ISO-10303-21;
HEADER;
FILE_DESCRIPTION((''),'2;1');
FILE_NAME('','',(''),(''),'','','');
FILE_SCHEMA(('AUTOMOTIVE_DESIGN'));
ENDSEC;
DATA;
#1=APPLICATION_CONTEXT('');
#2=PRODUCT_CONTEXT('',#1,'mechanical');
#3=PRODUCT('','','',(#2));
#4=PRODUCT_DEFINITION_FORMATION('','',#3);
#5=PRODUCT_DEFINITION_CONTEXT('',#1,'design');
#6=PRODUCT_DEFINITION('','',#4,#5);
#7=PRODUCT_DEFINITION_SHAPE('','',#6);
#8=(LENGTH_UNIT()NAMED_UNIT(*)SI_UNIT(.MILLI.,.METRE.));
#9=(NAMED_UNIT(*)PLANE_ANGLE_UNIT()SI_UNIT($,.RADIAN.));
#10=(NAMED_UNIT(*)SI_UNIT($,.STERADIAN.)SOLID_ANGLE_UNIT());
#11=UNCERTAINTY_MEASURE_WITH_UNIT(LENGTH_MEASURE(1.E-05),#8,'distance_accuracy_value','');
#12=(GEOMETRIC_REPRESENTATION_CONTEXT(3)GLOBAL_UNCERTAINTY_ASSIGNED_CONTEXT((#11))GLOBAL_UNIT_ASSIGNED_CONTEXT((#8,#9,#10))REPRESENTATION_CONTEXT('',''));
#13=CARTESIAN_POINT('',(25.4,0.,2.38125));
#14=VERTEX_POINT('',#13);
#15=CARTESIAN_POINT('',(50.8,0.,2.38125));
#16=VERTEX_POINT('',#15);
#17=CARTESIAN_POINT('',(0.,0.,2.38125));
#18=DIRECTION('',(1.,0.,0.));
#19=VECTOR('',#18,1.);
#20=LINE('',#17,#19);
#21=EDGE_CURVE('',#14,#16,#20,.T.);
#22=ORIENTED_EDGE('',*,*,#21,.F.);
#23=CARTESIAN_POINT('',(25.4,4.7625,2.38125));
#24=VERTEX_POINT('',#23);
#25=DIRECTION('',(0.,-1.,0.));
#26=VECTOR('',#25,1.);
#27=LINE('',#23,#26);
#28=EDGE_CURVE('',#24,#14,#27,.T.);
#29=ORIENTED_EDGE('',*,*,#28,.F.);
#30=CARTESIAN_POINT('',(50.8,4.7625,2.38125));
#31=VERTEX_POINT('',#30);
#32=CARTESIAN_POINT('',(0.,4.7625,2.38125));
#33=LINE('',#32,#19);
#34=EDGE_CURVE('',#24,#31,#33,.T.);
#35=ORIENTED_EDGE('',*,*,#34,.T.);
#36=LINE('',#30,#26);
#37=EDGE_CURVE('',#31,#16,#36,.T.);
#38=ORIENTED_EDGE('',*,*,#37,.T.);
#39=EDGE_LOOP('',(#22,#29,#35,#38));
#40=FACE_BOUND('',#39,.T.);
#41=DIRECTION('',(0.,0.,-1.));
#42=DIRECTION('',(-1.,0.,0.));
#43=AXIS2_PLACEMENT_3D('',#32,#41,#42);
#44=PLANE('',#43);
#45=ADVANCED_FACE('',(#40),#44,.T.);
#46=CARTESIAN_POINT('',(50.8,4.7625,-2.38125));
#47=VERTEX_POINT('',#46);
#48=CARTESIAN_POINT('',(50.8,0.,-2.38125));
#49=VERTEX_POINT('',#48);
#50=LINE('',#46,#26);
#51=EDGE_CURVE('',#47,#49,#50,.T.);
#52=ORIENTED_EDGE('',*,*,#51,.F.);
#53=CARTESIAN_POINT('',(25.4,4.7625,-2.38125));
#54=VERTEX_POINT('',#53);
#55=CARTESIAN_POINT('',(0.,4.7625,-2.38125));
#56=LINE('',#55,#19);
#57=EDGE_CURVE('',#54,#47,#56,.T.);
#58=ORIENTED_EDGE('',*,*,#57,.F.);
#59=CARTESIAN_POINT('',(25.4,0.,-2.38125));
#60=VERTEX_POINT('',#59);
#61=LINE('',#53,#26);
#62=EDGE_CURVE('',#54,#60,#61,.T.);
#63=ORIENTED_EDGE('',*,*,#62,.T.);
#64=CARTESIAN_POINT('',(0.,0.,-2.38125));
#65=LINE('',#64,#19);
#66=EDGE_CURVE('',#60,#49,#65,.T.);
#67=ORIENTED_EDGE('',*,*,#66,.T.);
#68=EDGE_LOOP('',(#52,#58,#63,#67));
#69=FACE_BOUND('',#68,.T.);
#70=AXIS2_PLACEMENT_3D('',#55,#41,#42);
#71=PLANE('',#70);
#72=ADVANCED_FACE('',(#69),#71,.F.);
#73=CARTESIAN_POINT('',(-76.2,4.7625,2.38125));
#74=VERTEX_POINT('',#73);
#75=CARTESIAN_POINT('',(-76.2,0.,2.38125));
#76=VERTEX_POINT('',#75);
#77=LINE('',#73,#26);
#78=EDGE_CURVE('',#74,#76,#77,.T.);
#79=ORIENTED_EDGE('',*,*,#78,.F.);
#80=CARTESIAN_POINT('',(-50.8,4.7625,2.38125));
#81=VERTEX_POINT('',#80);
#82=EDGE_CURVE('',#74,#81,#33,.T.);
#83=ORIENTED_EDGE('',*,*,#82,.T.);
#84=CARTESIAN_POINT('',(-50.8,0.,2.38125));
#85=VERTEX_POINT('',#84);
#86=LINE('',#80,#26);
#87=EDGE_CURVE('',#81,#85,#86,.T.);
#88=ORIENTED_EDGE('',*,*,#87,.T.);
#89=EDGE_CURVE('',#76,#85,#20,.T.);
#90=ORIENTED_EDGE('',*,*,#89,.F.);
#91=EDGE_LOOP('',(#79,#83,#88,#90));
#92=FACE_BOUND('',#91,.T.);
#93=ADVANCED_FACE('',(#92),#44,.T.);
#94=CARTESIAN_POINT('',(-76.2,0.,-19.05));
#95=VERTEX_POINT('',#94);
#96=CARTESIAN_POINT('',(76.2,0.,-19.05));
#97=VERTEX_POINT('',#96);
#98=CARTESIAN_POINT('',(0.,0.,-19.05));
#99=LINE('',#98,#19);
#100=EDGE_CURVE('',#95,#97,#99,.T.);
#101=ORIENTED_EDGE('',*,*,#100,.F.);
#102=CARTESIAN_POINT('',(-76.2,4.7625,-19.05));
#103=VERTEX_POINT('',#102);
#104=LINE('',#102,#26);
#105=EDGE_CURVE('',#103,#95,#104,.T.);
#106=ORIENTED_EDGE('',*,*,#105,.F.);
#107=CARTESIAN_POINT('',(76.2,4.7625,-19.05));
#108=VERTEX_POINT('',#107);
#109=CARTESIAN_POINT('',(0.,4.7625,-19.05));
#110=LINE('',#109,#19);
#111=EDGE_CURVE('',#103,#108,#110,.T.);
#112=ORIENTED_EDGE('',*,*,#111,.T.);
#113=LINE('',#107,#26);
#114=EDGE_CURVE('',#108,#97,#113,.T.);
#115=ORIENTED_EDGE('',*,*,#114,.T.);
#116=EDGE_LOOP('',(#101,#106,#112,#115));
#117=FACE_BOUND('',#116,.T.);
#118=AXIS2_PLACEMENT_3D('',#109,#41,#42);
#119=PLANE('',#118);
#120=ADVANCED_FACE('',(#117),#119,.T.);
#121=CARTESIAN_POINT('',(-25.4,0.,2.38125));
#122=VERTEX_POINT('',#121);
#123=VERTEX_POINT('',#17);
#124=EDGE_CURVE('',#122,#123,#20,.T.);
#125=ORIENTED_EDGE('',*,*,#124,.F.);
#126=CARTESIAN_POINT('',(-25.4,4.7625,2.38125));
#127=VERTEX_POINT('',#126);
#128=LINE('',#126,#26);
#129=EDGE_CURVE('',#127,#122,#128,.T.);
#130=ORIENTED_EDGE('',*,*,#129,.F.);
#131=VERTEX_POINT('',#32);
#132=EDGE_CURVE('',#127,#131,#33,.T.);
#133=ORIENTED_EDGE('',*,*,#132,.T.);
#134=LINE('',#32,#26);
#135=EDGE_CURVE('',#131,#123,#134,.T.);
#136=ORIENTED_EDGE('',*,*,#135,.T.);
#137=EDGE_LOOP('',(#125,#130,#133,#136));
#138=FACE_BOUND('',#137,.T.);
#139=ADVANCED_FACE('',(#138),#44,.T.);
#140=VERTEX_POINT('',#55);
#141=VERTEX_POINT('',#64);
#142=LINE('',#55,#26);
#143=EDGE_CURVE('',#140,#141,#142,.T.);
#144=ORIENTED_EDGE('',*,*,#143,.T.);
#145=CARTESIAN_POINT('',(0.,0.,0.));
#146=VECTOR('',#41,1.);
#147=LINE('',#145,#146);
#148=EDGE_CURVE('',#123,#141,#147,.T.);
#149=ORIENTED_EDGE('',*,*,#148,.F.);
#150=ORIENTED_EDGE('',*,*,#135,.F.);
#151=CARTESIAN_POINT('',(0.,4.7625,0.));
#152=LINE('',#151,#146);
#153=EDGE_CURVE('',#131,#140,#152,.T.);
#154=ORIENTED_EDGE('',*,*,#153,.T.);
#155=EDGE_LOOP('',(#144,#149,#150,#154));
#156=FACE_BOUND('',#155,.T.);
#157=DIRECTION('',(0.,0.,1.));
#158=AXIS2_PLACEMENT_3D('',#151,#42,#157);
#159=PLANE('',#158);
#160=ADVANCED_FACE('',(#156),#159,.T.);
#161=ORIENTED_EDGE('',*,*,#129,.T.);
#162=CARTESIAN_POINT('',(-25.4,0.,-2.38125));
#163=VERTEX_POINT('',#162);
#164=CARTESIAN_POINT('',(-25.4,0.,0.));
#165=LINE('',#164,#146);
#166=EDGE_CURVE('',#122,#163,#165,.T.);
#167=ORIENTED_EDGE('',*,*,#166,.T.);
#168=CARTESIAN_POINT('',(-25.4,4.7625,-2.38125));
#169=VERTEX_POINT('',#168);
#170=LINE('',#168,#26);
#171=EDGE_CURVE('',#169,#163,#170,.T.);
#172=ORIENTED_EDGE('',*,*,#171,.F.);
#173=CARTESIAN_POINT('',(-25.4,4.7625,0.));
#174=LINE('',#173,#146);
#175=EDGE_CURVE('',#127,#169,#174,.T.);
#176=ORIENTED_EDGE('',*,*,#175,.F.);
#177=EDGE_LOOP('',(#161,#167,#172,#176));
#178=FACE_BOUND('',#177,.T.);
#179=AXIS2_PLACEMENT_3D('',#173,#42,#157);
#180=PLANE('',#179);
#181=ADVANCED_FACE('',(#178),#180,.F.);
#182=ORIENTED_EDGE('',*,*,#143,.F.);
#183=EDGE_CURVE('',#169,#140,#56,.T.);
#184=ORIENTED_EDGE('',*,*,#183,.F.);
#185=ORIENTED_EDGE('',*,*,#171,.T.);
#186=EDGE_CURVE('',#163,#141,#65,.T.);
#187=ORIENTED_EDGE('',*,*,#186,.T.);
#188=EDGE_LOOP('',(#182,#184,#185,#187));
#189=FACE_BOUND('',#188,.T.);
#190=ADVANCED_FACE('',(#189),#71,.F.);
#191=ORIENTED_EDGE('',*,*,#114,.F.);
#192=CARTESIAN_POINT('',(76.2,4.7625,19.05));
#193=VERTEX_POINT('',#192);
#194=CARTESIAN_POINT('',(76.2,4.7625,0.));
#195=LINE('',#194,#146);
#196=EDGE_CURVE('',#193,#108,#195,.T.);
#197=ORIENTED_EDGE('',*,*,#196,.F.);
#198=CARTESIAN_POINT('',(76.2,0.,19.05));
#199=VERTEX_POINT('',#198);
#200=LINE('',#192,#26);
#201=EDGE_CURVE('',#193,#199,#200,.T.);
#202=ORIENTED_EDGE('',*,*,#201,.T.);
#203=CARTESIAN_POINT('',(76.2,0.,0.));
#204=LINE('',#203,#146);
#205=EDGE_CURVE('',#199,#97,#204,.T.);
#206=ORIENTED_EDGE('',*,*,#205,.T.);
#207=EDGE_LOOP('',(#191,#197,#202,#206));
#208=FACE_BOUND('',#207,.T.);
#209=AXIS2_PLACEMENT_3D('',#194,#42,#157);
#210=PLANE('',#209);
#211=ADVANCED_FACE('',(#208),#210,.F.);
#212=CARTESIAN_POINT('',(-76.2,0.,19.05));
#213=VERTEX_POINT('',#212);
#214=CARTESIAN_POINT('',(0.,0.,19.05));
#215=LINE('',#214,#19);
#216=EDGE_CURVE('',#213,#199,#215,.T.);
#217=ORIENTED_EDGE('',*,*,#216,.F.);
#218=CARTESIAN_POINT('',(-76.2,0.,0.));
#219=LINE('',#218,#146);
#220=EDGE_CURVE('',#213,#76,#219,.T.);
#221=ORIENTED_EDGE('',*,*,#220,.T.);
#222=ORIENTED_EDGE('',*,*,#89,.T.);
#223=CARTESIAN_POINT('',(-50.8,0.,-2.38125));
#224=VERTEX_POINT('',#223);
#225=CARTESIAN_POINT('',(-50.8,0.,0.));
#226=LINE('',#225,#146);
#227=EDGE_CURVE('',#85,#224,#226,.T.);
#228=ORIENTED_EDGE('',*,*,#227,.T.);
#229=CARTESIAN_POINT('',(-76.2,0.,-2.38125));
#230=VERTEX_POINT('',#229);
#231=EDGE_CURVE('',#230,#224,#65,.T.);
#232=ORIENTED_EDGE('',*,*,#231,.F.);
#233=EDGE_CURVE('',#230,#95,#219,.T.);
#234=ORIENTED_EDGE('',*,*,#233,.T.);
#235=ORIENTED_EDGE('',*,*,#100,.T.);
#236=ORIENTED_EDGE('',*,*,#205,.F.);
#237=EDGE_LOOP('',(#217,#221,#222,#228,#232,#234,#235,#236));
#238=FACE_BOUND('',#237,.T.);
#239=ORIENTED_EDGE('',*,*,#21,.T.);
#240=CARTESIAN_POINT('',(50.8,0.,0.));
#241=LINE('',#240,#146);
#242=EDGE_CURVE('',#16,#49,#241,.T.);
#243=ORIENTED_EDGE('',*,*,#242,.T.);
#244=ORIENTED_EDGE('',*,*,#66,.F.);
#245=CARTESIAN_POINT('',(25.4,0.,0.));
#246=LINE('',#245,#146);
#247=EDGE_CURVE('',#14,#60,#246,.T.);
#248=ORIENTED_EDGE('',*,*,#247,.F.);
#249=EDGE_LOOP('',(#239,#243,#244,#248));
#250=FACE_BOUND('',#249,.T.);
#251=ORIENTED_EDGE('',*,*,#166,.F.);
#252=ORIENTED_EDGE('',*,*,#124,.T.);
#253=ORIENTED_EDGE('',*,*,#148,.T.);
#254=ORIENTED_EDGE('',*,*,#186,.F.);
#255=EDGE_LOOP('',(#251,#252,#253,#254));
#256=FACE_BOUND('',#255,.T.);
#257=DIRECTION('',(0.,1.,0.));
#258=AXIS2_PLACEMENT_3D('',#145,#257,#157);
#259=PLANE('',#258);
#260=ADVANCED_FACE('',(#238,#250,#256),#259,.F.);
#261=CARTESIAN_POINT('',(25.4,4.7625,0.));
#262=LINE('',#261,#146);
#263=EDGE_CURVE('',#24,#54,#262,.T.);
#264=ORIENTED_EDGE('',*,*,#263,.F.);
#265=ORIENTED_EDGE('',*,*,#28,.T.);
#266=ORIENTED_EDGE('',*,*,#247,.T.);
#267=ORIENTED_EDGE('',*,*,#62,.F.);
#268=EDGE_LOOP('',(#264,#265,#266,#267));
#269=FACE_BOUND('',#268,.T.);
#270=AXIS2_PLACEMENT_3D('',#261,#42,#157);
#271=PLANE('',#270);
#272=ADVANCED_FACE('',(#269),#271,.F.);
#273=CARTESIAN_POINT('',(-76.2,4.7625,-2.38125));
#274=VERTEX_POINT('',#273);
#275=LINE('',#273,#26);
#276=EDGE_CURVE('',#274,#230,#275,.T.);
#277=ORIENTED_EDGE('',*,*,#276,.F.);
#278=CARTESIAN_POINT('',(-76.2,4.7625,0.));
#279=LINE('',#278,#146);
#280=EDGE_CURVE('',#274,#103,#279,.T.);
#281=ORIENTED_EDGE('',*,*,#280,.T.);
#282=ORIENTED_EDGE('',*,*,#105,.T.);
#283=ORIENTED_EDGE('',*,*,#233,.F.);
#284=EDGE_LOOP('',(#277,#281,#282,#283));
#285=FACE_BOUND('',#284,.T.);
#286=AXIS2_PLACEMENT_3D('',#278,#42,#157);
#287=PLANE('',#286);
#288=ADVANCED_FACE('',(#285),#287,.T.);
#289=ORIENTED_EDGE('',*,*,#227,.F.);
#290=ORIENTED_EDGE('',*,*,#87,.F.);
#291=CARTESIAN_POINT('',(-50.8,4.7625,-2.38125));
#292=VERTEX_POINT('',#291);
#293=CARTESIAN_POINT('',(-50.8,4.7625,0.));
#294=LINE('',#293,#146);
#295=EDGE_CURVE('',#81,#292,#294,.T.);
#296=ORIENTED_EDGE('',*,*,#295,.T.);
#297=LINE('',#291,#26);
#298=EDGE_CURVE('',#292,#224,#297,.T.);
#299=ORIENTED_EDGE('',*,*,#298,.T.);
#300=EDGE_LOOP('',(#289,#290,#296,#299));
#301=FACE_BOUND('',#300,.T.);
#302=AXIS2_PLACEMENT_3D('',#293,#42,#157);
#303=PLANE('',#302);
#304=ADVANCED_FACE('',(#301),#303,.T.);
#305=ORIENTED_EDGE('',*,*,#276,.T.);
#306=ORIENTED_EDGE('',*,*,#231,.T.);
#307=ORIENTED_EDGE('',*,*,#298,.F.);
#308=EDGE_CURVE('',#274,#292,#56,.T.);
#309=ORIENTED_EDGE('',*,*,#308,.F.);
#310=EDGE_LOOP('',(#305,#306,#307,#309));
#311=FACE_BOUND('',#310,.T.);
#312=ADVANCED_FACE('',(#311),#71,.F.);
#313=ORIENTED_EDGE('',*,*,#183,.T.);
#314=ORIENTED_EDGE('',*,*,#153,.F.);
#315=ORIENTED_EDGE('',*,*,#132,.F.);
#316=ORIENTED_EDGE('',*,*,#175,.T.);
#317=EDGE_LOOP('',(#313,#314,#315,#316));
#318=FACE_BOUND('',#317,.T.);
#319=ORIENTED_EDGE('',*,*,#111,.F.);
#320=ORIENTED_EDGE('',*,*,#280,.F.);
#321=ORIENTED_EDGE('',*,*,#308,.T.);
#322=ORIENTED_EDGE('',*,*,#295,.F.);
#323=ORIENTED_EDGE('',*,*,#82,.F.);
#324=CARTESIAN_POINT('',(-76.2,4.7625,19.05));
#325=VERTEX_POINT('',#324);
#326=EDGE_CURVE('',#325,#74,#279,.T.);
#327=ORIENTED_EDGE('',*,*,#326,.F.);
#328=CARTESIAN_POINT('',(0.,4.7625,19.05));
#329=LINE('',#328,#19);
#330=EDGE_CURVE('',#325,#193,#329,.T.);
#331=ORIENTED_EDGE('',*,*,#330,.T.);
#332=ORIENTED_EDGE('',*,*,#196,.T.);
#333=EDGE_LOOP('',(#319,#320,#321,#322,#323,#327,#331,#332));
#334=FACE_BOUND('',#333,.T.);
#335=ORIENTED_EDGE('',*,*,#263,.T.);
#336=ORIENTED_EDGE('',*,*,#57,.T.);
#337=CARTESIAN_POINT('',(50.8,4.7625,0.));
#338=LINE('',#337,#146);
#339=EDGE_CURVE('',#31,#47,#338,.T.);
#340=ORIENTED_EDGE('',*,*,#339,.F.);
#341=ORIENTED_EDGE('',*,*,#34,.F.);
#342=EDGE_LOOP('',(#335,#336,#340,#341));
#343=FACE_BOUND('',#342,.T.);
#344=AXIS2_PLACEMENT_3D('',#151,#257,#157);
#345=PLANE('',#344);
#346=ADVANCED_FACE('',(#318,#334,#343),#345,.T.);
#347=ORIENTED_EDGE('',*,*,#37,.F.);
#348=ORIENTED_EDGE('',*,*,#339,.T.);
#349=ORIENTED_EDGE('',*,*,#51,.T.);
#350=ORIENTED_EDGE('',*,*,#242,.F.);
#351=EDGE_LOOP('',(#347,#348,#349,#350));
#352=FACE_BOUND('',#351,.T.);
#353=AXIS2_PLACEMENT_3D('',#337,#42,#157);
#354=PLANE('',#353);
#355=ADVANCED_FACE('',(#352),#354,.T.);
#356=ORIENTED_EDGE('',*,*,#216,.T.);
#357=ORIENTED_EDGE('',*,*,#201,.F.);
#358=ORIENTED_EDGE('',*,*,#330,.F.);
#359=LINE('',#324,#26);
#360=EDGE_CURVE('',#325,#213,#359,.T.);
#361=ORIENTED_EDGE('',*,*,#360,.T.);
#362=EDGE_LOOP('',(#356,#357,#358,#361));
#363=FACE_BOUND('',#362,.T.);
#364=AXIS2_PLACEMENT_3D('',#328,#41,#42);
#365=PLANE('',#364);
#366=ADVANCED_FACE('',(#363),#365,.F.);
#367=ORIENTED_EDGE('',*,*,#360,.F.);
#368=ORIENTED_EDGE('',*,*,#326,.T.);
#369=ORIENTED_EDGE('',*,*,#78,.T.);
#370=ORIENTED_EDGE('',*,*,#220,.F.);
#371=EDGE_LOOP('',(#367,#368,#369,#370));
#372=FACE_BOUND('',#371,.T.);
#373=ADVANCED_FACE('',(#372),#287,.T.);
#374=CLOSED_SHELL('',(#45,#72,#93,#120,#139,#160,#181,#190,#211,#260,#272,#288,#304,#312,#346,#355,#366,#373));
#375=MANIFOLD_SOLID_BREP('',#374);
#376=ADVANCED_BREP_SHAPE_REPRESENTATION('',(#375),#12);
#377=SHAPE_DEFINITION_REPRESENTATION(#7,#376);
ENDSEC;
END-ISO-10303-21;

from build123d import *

# Parameters (mm, degrees)
SKETCH1_W           = 25.4
SKETCH1_H           = 4.7625
BOSS_EXTRUDE1_DEPTH = 4.7625


with BuildPart() as part:
    # Sketch1 → Boss-Extrude1 (new body)
    with BuildSketch(Plane(origin=(0, 0, 0), x_dir=(1, 0, 0), z_dir=(0, 1, 0))):
        Polygon((-76.2, 19.05), (-76.2, 2.38125), (-50.8, 2.38125), (-50.8, -2.38125), (-76.2, -2.38125), (-76.2, -19.05), (76.2, -19.05), (76.2, 19.05), align=None)
        with Locations((-12.7, 0)):
            Rectangle(SKETCH1_W, SKETCH1_H, mode=Mode.SUBTRACT)
        with Locations((38.1, 0)):
            Rectangle(SKETCH1_W, SKETCH1_H, mode=Mode.SUBTRACT)
    extrude(amount=BOSS_EXTRUDE1_DEPTH)


solid = part.part
